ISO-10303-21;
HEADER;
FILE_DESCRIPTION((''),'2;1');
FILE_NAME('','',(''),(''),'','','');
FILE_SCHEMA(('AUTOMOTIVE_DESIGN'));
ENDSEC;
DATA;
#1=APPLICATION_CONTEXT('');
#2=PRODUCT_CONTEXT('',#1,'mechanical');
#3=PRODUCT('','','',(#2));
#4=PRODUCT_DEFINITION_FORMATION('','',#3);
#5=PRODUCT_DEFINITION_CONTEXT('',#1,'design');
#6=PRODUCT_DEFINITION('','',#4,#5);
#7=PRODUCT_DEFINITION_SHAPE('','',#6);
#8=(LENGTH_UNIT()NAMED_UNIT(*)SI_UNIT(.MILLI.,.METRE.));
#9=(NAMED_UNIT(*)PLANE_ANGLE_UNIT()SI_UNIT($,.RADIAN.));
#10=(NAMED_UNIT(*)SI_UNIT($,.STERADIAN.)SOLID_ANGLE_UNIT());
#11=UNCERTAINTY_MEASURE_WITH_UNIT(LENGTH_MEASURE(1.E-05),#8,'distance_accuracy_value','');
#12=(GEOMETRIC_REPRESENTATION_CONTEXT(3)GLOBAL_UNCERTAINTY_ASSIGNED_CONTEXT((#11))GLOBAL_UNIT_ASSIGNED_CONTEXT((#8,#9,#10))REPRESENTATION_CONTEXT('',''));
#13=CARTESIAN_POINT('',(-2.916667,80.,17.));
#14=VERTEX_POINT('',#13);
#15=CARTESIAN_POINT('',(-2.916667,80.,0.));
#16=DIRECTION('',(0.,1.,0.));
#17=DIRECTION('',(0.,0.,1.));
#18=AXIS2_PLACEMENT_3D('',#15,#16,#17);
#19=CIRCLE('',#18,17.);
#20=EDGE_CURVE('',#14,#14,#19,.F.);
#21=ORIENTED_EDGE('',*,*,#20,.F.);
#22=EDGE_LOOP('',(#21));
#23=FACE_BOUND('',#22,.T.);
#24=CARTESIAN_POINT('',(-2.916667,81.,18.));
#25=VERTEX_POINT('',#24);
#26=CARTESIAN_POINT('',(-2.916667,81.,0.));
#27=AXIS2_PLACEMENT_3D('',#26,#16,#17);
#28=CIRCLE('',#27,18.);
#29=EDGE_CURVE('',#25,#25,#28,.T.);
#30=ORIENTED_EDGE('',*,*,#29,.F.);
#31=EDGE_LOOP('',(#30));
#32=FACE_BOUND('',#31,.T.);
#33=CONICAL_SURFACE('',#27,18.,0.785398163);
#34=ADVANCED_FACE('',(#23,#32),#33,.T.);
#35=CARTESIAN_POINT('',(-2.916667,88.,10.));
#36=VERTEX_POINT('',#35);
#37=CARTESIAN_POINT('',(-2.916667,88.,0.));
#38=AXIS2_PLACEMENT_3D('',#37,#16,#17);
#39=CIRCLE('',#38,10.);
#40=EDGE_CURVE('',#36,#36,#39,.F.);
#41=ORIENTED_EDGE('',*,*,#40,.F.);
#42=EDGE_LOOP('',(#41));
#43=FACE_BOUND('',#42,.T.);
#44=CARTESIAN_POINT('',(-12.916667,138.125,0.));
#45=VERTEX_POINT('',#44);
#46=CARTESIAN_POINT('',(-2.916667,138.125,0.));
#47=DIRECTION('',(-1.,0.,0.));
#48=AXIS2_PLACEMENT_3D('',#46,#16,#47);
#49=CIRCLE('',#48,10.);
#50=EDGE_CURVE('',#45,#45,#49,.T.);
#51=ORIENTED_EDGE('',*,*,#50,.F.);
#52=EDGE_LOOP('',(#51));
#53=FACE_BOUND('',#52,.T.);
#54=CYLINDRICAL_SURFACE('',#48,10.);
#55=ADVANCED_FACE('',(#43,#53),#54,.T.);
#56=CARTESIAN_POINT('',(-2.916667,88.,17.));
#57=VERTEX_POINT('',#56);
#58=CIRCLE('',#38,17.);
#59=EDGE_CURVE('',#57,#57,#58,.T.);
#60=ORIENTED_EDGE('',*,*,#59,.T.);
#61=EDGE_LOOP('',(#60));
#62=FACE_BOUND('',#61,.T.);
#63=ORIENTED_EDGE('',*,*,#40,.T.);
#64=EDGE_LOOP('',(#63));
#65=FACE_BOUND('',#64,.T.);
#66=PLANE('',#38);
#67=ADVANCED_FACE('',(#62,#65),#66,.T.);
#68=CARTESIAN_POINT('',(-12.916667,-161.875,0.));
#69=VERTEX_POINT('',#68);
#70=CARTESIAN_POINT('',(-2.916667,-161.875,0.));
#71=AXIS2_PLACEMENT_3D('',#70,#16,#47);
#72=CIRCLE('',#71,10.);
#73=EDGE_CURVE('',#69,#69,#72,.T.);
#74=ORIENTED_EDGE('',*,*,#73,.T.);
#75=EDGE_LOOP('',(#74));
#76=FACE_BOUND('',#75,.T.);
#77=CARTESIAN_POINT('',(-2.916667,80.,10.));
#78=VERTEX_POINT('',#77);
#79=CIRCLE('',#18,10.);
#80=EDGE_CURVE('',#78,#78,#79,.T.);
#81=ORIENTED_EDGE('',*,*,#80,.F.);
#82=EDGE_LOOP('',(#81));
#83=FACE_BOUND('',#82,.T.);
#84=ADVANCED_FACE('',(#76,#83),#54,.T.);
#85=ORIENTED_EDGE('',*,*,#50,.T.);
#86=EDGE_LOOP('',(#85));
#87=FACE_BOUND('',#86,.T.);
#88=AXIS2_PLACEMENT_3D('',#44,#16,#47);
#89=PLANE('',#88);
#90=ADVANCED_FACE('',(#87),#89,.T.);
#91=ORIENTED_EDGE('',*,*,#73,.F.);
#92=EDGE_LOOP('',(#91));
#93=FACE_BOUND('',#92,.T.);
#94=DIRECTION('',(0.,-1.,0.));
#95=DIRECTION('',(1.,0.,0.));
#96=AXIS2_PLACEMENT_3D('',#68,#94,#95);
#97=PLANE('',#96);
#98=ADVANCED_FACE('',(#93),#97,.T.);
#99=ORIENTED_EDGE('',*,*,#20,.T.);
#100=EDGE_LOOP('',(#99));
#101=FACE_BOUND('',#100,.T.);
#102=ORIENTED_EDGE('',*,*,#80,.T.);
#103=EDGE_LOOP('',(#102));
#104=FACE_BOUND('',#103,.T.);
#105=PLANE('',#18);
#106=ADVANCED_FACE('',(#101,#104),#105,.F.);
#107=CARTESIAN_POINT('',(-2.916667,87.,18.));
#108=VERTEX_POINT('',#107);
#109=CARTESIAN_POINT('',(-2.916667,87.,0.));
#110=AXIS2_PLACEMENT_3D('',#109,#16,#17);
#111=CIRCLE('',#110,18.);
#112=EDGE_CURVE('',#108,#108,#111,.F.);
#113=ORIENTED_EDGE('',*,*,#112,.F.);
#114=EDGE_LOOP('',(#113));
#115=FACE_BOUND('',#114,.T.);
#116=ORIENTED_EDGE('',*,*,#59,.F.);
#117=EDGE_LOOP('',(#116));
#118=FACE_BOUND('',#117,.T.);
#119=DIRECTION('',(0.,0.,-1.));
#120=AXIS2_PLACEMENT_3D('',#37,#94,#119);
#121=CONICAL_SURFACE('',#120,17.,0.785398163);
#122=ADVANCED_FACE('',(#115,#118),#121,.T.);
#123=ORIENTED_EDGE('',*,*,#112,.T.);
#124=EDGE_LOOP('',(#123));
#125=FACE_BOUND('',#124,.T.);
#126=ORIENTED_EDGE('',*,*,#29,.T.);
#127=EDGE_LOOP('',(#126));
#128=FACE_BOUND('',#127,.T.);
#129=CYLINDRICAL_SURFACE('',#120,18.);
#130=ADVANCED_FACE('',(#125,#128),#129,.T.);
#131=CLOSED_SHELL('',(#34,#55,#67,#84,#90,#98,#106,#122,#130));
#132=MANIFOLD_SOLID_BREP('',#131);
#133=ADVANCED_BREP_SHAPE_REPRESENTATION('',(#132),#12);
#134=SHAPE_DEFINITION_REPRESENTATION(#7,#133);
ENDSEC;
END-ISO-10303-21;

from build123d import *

# Parameters (mm, degrees)
SKETCH1_W           = 10
SKETCH1_H           = 300
BOSS_EXTRUDE3_START = 8
SKETCH4_R           = 18
SKETCH4_R_2         = 10
BOSS_EXTRUDE3_DEPTH = 8
CHAMFER1_SIZE       = 1


with BuildPart() as part:
    # Sketch1 → Revolve1 (revolve)
    with BuildSketch(Plane.XY):
        with Locations((-7.916666667, -11.875)):
            Rectangle(SKETCH1_W, SKETCH1_H)
    revolve(axis=Axis((-2.916666667, 138.125, 0), (0, -1, 0)))

    # Sketch4 → Boss-Extrude3 (add)
    with BuildSketch(Plane(origin=(0, 80, 0), x_dir=(1, 0, 0), z_dir=(0, 1, 0)).offset(BOSS_EXTRUDE3_START)):
        with Locations(Location((-2.916666667, 0, 0), (0, 0, 270))):
            Circle(SKETCH4_R)
        with Locations(Location((-2.916666667, 0, 0), (0, 0, 180))):
            Circle(SKETCH4_R_2, mode=Mode.SUBTRACT)
    extrude(amount=-BOSS_EXTRUDE3_DEPTH)

    # Chamfer1
    chamfer1_edges = [part.edges().sort_by_distance(p)[0] for p in [
        (-2.916666667, 88, -18),
        (-2.916666667, 80, -18),
    ]]
    chamfer(chamfer1_edges, length=CHAMFER1_SIZE)


solid = part.part
